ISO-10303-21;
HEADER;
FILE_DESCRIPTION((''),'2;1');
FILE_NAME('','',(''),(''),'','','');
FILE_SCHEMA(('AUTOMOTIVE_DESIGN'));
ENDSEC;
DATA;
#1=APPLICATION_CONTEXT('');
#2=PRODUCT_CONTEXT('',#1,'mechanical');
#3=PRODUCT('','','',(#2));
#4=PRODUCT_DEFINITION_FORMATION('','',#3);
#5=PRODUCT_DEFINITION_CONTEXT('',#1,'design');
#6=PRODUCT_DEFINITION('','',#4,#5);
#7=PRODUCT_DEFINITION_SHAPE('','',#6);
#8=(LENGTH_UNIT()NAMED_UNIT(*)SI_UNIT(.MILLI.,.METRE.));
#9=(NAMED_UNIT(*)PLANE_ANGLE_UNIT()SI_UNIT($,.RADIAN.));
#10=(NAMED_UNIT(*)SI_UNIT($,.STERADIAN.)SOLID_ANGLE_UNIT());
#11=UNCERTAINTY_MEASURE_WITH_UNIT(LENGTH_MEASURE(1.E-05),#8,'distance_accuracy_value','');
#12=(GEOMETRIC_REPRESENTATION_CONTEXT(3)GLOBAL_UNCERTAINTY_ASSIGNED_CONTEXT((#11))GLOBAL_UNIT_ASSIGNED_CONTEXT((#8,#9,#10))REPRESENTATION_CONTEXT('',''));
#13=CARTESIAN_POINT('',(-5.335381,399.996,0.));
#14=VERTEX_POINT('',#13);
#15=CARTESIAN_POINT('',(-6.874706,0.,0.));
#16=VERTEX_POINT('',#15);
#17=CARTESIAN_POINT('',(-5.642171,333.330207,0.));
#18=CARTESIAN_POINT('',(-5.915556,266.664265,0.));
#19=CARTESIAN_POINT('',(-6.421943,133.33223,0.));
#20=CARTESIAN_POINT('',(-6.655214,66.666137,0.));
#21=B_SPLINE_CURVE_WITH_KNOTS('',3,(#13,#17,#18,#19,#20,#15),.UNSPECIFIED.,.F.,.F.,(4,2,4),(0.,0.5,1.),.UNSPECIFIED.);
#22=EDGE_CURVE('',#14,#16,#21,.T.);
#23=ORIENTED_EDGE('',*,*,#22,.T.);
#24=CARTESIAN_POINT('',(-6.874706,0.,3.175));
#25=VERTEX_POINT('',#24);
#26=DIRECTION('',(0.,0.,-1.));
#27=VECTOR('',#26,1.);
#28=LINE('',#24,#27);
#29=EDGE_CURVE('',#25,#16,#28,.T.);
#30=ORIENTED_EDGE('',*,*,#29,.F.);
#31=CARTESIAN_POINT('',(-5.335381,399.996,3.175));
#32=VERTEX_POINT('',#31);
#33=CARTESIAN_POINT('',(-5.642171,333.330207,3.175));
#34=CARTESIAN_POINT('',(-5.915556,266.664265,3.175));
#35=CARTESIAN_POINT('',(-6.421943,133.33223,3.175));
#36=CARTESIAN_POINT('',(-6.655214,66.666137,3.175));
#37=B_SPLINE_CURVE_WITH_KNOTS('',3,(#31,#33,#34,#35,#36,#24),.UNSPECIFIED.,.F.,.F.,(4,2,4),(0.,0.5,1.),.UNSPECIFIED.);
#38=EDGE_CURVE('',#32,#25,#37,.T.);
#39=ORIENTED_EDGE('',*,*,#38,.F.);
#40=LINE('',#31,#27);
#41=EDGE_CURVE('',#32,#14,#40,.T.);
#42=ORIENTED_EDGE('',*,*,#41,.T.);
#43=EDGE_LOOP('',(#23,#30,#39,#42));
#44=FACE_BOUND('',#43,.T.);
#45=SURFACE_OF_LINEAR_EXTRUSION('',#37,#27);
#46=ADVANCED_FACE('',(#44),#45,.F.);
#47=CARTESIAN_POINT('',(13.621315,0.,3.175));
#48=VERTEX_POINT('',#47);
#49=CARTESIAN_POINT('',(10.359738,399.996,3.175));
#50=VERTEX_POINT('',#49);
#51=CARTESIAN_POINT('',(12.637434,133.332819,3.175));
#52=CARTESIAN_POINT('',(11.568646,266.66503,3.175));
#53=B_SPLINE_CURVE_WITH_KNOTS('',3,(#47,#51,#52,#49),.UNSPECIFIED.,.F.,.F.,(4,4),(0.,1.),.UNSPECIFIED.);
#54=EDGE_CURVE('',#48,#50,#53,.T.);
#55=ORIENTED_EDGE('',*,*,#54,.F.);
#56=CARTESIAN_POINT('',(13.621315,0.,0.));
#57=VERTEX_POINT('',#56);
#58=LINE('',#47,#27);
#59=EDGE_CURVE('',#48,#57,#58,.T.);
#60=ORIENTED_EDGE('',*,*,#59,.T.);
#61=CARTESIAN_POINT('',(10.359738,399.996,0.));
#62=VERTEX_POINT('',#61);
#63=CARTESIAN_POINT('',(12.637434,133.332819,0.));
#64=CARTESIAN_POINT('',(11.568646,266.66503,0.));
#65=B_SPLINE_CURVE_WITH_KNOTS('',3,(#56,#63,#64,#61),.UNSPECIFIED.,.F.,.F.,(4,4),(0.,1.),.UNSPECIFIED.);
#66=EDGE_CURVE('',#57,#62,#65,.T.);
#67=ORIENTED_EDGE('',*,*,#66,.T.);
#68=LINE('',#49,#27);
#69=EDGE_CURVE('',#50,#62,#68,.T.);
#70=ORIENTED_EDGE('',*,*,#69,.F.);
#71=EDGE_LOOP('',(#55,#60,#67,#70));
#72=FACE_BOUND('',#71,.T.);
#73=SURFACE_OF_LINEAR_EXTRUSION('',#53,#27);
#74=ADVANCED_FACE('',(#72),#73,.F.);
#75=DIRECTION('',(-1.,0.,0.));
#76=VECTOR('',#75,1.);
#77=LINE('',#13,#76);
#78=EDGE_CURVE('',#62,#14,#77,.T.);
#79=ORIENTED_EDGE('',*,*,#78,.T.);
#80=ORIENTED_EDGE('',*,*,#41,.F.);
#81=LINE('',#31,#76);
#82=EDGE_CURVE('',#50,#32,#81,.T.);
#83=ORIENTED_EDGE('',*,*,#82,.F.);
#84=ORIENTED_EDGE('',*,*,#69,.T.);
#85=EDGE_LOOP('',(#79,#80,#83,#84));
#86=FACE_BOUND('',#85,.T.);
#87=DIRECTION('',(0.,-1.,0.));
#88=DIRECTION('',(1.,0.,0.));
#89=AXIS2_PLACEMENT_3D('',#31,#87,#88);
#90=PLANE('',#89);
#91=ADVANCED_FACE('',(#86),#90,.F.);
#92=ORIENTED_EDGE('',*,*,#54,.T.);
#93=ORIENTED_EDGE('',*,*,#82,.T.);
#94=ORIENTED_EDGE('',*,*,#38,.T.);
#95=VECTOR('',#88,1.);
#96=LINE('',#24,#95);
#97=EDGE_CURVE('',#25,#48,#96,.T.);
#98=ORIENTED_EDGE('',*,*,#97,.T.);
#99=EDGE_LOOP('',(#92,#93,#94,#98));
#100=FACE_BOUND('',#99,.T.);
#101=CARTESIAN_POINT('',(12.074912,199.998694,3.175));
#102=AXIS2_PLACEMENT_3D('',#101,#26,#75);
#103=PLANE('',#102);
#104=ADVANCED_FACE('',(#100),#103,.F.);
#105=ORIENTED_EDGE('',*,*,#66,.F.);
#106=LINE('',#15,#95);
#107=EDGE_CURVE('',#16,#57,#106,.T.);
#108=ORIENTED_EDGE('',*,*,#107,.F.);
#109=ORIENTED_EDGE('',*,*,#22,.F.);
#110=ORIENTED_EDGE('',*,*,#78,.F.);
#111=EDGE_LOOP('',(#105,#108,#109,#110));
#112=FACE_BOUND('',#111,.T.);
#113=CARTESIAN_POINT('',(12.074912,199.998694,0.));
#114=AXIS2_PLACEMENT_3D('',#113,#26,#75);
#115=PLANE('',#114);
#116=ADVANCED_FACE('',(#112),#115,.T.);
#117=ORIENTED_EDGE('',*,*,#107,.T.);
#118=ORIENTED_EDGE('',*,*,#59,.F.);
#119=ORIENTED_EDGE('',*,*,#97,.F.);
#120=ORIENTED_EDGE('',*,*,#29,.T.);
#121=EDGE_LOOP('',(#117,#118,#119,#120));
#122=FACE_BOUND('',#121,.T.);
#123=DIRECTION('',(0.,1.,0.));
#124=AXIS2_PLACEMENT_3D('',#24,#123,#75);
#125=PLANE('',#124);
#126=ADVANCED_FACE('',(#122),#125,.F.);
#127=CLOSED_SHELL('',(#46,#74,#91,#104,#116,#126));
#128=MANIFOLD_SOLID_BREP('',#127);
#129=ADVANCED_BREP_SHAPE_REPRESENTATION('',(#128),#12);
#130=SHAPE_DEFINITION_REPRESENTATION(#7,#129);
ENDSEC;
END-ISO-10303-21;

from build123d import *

# Parameters (mm, degrees)
BOSS_EXTRUDE1_DEPTH = 3.175


with BuildPart() as part:
    # Sketch2 → Boss-Extrude1 (new body)
    with BuildSketch(Plane.XY):
        with BuildLine():
            Line((-6.874706056, 0), (13.621314527, 0))
            add(Edge.make_bspline(
                [(13.621314527, 0), (12.637433669, 133.332819396), (11.568646221, 266.665030355), (10.359737829, 399.996)],
                knots=[0, 0, 0, 0, 1, 1, 1, 1], degree=3))
            Line((10.359737829, 399.996), (-5.335381197, 399.996))
            add(Edge.make_bspline(
                [(-5.335381197, 399.996), (-5.642171357, 333.330206894), (-5.915556323, 266.664264513), (-6.421942857, 133.332229763), (-6.655213864, 66.666137266), (-6.874706056, 0)],
                knots=[0, 0, 0, 0, 0.5, 0.5, 1, 1, 1, 1], degree=3))
        make_face()
    extrude(amount=BOSS_EXTRUDE1_DEPTH)


solid = part.part
